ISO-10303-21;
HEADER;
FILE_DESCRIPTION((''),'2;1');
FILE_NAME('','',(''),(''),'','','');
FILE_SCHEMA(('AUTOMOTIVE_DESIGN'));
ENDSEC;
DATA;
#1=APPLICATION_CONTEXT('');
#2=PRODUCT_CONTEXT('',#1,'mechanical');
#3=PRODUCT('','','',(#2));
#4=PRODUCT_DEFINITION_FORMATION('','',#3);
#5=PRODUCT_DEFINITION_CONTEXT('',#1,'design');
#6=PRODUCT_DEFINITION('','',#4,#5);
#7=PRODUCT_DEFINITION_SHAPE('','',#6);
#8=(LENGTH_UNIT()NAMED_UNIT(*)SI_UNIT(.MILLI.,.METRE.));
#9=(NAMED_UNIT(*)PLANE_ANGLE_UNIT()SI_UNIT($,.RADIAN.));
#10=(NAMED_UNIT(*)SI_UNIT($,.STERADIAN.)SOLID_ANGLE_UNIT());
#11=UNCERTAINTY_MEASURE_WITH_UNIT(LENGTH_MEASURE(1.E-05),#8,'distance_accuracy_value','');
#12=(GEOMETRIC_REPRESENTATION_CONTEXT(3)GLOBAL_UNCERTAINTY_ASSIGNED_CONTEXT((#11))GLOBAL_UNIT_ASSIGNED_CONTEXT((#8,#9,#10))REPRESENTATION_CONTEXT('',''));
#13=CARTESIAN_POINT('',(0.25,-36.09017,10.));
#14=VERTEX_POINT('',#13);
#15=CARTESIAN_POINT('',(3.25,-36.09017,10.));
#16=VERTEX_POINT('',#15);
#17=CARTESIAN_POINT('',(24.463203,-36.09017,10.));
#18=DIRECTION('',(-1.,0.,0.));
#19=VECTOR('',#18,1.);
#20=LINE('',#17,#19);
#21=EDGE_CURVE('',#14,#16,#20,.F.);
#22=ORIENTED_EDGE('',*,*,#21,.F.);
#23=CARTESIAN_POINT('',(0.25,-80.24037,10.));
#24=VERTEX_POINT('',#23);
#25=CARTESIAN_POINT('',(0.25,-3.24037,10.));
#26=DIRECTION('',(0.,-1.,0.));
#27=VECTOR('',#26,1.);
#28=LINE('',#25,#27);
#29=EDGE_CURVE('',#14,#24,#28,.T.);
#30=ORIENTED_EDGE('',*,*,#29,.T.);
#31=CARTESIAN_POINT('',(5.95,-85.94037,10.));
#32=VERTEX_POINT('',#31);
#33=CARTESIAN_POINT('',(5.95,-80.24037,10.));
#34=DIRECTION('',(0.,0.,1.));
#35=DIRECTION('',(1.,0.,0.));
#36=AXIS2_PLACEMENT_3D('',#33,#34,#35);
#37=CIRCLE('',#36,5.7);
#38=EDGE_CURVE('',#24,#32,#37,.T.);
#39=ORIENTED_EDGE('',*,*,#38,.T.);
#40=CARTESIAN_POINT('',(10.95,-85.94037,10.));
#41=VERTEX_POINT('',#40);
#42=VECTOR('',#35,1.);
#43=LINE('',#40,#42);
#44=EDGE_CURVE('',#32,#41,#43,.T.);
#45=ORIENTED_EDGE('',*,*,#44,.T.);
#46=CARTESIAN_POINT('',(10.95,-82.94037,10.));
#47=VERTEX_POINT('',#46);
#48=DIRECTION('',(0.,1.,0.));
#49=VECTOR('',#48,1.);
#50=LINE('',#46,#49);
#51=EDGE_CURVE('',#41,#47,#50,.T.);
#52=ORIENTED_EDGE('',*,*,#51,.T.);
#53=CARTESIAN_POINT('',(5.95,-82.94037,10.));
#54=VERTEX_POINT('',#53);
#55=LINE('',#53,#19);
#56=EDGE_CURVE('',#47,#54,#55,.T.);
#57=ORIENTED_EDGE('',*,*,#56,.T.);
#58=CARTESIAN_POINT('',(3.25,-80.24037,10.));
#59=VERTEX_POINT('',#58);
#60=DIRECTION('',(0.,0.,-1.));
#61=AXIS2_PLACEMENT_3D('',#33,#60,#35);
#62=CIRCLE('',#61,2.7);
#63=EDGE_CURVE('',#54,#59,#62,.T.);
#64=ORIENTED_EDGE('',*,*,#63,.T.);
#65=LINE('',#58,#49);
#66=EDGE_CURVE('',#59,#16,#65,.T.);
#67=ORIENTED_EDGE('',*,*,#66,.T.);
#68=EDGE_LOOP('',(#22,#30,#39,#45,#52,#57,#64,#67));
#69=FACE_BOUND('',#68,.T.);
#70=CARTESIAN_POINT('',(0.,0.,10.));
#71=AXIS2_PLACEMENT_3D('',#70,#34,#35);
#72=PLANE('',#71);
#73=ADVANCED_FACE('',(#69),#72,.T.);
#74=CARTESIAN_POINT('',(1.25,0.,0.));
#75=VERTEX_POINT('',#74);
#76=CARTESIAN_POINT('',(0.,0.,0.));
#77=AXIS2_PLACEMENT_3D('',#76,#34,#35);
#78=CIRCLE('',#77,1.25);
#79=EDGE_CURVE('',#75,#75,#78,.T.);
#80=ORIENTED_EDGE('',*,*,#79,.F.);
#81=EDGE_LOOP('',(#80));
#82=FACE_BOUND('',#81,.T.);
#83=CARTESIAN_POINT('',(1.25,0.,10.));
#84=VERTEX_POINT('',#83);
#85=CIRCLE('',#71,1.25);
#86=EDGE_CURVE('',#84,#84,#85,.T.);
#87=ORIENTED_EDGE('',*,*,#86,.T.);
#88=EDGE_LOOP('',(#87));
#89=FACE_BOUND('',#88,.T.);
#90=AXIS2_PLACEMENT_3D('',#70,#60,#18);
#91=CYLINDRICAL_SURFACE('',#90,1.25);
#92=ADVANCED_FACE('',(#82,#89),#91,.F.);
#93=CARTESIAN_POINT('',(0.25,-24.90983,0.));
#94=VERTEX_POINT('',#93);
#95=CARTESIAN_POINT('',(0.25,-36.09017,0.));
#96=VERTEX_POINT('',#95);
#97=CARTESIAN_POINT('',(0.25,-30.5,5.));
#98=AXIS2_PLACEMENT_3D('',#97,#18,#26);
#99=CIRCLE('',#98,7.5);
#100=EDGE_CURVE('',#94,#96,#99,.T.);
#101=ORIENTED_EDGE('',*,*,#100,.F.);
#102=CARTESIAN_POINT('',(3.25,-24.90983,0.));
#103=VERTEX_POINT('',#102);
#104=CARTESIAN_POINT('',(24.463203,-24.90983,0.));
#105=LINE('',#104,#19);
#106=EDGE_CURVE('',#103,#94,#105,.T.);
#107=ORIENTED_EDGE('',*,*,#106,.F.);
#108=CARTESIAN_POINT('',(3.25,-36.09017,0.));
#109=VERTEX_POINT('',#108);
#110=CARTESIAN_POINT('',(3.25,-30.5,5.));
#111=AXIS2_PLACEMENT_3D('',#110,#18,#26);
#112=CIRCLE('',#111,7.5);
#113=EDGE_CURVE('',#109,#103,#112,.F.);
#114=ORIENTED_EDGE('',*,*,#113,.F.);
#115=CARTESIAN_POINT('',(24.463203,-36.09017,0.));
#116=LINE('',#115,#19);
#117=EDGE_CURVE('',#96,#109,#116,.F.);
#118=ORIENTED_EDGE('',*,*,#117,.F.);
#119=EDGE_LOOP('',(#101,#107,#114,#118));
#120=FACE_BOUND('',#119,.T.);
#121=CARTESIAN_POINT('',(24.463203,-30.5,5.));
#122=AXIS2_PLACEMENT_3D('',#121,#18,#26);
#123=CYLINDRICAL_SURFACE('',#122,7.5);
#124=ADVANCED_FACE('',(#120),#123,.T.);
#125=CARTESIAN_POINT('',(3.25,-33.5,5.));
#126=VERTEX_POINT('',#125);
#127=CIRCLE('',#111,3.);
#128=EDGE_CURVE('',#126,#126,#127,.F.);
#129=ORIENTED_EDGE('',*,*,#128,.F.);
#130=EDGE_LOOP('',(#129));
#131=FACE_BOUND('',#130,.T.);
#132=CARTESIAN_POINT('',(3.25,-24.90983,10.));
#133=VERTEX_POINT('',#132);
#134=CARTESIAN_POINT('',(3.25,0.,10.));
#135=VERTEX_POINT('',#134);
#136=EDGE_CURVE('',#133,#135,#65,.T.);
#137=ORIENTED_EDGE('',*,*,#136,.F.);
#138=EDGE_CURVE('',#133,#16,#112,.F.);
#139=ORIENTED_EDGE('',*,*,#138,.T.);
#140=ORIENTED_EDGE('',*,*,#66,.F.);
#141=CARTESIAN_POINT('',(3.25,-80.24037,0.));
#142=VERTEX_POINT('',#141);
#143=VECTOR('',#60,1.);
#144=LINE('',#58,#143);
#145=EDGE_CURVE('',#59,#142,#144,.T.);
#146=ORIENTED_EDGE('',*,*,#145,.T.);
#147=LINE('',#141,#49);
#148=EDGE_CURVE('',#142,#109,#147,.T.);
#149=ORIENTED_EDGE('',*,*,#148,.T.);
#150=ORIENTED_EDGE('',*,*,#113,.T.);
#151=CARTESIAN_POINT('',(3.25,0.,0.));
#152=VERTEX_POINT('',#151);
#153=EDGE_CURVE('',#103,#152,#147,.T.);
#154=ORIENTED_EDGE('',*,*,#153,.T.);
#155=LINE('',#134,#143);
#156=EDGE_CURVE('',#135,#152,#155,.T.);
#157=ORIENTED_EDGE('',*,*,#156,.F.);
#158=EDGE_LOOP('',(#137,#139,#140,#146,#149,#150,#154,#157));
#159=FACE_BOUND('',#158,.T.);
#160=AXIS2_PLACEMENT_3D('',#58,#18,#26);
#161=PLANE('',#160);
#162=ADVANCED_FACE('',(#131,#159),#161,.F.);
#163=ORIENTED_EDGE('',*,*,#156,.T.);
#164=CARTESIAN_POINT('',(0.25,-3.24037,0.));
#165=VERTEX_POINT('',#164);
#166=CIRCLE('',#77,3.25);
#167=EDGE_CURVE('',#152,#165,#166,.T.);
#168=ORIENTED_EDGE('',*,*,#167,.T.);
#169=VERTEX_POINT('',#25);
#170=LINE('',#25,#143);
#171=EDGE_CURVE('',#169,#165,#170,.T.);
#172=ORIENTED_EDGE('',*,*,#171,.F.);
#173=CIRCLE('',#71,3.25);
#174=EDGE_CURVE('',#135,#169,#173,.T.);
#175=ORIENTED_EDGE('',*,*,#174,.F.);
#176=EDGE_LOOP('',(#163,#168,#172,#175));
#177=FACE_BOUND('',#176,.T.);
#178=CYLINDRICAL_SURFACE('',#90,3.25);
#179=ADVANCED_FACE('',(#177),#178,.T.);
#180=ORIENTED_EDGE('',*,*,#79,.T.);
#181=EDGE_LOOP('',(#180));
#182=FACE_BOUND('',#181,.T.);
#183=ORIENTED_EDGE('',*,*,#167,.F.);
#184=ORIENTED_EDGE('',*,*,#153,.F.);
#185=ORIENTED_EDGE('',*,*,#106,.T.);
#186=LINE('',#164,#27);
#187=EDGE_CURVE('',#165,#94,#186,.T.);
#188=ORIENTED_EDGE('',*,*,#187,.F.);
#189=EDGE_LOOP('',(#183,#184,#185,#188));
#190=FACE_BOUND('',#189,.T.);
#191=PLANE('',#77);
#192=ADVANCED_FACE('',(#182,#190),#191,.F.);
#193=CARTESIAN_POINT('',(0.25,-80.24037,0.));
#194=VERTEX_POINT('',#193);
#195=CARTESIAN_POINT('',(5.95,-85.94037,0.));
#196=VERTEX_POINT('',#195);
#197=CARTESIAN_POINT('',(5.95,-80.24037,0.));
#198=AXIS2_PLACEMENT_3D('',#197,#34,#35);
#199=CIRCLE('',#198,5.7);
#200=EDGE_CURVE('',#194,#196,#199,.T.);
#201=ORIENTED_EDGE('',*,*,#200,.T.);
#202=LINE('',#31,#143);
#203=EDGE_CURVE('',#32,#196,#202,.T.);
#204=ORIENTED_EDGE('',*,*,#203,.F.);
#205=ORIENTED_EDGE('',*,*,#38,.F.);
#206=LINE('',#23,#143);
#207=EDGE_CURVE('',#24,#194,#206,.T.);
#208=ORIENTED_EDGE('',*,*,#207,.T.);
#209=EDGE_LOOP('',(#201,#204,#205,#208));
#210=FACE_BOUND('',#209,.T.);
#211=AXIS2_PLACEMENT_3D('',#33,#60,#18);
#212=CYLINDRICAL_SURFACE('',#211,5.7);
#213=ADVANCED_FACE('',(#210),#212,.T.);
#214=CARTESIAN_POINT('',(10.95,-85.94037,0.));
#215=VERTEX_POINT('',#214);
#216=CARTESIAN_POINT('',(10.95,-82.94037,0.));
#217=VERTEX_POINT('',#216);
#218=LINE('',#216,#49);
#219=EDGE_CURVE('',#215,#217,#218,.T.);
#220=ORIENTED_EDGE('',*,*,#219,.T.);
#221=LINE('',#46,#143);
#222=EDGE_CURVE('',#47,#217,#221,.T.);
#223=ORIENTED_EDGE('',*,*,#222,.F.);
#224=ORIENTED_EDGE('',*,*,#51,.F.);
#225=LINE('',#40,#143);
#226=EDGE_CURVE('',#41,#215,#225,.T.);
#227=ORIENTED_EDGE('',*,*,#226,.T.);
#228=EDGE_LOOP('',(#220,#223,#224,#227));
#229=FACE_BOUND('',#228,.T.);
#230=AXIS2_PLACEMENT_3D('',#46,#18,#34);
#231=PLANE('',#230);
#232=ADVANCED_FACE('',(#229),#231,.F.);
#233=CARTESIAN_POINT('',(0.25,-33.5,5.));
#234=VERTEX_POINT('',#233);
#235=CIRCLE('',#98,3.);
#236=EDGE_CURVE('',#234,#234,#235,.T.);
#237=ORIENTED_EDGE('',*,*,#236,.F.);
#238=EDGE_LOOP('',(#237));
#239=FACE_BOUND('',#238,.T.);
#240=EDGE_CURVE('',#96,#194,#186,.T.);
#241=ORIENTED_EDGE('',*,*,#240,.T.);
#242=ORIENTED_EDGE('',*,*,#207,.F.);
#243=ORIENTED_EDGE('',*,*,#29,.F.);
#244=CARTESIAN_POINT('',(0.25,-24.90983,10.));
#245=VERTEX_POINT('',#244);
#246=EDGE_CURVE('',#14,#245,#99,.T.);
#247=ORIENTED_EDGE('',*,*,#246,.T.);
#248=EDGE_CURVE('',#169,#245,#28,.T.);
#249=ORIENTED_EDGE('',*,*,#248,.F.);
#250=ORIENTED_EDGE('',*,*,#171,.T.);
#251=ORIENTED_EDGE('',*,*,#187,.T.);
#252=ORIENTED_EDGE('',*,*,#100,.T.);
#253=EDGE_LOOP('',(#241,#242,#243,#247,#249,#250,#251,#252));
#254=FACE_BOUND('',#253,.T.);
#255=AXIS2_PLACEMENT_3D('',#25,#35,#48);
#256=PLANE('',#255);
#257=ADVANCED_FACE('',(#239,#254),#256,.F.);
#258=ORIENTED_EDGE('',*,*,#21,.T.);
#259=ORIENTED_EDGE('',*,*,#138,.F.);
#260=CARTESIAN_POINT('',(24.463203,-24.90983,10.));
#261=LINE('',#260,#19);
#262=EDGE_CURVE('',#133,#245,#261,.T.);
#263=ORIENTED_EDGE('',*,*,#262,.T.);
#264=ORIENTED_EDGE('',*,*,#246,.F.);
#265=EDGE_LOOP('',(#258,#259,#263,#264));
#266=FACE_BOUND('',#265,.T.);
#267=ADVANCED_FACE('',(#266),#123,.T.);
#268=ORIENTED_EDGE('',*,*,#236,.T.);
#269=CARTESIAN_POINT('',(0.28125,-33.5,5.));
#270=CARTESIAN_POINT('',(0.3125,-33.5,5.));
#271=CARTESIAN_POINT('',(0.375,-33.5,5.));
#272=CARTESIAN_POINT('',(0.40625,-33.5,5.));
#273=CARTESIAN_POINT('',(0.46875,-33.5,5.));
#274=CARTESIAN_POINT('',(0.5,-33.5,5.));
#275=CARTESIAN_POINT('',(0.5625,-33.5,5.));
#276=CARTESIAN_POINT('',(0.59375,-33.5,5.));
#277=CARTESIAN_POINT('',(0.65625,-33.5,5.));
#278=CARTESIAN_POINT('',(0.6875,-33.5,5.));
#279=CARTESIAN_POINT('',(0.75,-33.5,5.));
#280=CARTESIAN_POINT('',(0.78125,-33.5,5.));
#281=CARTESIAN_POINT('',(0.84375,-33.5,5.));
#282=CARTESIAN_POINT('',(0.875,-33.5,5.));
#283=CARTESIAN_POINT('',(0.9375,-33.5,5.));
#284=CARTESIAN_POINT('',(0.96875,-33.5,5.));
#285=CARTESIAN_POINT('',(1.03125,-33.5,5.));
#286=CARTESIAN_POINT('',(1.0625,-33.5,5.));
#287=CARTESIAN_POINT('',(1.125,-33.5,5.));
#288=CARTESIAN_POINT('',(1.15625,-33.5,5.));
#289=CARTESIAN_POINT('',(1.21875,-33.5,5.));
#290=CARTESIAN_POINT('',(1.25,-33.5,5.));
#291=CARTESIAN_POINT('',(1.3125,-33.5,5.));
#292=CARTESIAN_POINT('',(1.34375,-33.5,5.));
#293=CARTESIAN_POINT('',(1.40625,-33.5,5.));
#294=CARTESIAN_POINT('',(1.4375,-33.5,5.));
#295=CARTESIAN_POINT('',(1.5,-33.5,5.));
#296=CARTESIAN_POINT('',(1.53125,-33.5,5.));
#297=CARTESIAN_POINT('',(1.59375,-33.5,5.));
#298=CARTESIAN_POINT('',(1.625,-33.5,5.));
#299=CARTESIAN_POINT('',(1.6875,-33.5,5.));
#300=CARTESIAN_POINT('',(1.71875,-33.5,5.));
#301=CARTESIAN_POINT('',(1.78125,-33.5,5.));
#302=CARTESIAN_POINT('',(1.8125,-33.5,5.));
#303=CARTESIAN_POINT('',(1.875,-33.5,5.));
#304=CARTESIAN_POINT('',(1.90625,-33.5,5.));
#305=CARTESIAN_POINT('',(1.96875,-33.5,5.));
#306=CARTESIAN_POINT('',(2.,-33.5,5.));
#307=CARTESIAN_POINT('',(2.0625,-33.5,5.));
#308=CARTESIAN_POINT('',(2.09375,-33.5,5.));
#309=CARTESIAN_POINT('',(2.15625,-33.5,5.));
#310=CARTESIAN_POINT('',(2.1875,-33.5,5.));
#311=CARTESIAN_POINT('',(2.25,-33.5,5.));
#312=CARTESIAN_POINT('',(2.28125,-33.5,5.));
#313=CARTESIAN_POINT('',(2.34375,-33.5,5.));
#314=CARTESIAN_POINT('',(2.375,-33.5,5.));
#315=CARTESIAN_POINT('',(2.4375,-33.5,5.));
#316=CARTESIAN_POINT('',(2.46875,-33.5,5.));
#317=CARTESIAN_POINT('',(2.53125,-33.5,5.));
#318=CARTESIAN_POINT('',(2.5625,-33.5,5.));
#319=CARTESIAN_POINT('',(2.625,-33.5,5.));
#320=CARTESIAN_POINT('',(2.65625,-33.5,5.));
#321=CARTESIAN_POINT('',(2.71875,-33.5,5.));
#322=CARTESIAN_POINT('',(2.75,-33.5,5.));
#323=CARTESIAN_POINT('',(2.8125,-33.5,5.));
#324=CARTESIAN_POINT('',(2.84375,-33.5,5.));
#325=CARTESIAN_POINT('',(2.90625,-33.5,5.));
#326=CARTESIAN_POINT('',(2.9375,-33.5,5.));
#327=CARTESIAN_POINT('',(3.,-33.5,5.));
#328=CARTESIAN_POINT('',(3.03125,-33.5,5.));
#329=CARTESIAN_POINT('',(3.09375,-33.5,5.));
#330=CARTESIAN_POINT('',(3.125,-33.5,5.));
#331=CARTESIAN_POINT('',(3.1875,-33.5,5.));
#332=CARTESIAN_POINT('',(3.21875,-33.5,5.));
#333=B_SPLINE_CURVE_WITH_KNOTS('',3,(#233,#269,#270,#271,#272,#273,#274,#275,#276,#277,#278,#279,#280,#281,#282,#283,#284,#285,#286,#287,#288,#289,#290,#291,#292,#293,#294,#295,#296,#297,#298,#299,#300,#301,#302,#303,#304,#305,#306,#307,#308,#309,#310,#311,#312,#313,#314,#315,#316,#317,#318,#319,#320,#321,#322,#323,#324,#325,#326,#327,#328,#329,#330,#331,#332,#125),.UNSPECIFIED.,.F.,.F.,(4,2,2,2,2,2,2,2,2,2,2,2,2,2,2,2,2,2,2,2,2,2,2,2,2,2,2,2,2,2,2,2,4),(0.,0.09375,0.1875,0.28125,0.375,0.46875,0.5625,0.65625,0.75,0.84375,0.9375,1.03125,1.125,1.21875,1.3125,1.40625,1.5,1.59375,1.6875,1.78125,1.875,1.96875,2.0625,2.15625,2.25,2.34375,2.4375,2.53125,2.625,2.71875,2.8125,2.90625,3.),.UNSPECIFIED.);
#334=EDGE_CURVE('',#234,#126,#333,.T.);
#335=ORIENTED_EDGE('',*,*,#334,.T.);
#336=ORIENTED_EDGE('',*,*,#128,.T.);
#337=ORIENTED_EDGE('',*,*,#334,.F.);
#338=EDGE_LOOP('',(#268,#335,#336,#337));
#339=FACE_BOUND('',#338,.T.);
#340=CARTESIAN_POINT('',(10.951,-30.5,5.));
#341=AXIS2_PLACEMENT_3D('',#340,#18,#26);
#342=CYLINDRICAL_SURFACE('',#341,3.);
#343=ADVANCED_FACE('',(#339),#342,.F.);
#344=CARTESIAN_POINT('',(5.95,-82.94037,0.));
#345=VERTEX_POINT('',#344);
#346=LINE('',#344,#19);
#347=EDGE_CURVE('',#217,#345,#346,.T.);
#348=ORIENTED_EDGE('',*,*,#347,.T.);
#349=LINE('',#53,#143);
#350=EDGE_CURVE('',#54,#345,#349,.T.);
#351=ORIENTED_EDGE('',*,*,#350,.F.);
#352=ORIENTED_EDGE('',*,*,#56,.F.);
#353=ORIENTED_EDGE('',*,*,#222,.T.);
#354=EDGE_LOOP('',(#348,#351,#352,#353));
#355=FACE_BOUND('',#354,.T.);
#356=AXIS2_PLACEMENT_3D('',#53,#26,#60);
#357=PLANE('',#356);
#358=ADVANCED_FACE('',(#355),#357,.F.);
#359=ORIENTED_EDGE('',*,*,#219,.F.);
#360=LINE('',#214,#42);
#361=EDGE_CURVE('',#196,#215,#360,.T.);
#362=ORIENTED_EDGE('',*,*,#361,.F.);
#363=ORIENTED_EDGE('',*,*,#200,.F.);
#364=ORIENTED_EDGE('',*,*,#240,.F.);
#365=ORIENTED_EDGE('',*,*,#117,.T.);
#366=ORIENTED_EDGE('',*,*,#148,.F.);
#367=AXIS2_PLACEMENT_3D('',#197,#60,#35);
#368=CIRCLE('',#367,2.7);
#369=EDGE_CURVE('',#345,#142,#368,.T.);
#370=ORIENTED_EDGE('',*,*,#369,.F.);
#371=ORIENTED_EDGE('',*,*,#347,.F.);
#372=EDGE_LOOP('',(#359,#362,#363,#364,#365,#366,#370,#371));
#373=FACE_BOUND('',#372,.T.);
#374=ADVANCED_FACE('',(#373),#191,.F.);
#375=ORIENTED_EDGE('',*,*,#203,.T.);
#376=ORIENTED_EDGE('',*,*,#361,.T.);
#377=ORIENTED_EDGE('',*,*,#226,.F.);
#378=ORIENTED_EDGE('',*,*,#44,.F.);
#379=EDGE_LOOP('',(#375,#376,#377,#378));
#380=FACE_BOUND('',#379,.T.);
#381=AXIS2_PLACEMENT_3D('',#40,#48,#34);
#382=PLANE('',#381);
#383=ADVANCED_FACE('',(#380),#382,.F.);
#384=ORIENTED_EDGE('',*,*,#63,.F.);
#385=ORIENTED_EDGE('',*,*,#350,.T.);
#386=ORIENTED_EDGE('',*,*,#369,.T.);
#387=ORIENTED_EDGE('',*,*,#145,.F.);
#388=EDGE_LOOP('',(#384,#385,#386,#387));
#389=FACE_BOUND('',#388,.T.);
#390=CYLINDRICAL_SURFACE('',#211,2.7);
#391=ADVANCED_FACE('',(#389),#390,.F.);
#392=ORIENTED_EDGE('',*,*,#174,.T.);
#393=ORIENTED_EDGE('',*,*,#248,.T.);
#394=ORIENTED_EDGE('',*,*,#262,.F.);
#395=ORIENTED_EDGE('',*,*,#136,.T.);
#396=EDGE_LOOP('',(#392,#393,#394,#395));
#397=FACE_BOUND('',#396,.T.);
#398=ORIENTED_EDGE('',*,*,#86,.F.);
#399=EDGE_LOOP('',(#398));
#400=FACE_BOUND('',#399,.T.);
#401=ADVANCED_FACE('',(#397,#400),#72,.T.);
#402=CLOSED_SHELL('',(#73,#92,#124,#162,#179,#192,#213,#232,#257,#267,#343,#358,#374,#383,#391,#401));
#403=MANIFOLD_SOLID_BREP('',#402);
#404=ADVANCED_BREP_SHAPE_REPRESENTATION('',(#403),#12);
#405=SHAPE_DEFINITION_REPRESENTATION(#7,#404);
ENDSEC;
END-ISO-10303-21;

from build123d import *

# Parameters (mm, degrees)
SKETCH1_R           = 1.25
BOSS_EXTRUDE1_DEPTH = 10
CUT_EXTRUDE1_REACH  = 89.179
SKETCH2_R           = 3
SKETCH3_R           = 7.5
SKETCH3_R_2         = 3
BOSS_EXTRUDE2_DEPTH = 3


with BuildPart() as part:
    # Sketch1 → Boss-Extrude1 (new body)
    with BuildSketch(Plane.XY):
        with BuildLine():
            Line((0.25, -3.240370349), (0.25, -80.240370349))
            ThreePointArc((0.25, -80.240370349), (1.919491347, -84.270879002), (5.95, -85.940370349))
            Line((5.95, -85.940370349), (10.95, -85.940370349))
            Line((10.95, -85.940370349), (10.95, -82.940370349))
            Line((10.95, -82.940370349), (5.95, -82.940370349))
            ThreePointArc((5.95, -82.940370349), (4.040811691, -82.149558658), (3.25, -80.240370349))
            Line((3.25, -80.240370349), (3.25, 0))
            ThreePointArc((3.25, 0), (-2.384848004, 2.207940217), (0.25, -3.240370349))
        make_face()
        Circle(SKETCH1_R, mode=Mode.SUBTRACT)
    extrude(amount=BOSS_EXTRUDE1_DEPTH)

    # Sketch2 → Cut-Extrude1 (cut, up to next)
    with BuildSketch(Plane.ZY.offset(-0.25), mode=Mode.PRIVATE) as cut_extrude1_sk1:
        with Locations(Location((5, -30.5, 0), (0, 0, 270))):
            Circle(SKETCH2_R)
    cut_extrude1_tool1 = extrude(cut_extrude1_sk1.sketch, amount=-CUT_EXTRUDE1_REACH, mode=Mode.PRIVATE) & part.part
    add(cut_extrude1_tool1.solids().sort_by_distance((0.25, -30.5, 5))[0], mode=Mode.SUBTRACT)

    # Sketch3 → Boss-Extrude2 (add)
    with BuildSketch(Plane.ZY.offset(-0.25)):
        with Locations((5, -30.5)):
            Circle(SKETCH3_R)
        with Locations(Location((5, -30.5, 0), (0, 0, 270))):
            Circle(SKETCH3_R_2, mode=Mode.SUBTRACT)
    extrude(amount=-BOSS_EXTRUDE2_DEPTH)


solid = part.part
